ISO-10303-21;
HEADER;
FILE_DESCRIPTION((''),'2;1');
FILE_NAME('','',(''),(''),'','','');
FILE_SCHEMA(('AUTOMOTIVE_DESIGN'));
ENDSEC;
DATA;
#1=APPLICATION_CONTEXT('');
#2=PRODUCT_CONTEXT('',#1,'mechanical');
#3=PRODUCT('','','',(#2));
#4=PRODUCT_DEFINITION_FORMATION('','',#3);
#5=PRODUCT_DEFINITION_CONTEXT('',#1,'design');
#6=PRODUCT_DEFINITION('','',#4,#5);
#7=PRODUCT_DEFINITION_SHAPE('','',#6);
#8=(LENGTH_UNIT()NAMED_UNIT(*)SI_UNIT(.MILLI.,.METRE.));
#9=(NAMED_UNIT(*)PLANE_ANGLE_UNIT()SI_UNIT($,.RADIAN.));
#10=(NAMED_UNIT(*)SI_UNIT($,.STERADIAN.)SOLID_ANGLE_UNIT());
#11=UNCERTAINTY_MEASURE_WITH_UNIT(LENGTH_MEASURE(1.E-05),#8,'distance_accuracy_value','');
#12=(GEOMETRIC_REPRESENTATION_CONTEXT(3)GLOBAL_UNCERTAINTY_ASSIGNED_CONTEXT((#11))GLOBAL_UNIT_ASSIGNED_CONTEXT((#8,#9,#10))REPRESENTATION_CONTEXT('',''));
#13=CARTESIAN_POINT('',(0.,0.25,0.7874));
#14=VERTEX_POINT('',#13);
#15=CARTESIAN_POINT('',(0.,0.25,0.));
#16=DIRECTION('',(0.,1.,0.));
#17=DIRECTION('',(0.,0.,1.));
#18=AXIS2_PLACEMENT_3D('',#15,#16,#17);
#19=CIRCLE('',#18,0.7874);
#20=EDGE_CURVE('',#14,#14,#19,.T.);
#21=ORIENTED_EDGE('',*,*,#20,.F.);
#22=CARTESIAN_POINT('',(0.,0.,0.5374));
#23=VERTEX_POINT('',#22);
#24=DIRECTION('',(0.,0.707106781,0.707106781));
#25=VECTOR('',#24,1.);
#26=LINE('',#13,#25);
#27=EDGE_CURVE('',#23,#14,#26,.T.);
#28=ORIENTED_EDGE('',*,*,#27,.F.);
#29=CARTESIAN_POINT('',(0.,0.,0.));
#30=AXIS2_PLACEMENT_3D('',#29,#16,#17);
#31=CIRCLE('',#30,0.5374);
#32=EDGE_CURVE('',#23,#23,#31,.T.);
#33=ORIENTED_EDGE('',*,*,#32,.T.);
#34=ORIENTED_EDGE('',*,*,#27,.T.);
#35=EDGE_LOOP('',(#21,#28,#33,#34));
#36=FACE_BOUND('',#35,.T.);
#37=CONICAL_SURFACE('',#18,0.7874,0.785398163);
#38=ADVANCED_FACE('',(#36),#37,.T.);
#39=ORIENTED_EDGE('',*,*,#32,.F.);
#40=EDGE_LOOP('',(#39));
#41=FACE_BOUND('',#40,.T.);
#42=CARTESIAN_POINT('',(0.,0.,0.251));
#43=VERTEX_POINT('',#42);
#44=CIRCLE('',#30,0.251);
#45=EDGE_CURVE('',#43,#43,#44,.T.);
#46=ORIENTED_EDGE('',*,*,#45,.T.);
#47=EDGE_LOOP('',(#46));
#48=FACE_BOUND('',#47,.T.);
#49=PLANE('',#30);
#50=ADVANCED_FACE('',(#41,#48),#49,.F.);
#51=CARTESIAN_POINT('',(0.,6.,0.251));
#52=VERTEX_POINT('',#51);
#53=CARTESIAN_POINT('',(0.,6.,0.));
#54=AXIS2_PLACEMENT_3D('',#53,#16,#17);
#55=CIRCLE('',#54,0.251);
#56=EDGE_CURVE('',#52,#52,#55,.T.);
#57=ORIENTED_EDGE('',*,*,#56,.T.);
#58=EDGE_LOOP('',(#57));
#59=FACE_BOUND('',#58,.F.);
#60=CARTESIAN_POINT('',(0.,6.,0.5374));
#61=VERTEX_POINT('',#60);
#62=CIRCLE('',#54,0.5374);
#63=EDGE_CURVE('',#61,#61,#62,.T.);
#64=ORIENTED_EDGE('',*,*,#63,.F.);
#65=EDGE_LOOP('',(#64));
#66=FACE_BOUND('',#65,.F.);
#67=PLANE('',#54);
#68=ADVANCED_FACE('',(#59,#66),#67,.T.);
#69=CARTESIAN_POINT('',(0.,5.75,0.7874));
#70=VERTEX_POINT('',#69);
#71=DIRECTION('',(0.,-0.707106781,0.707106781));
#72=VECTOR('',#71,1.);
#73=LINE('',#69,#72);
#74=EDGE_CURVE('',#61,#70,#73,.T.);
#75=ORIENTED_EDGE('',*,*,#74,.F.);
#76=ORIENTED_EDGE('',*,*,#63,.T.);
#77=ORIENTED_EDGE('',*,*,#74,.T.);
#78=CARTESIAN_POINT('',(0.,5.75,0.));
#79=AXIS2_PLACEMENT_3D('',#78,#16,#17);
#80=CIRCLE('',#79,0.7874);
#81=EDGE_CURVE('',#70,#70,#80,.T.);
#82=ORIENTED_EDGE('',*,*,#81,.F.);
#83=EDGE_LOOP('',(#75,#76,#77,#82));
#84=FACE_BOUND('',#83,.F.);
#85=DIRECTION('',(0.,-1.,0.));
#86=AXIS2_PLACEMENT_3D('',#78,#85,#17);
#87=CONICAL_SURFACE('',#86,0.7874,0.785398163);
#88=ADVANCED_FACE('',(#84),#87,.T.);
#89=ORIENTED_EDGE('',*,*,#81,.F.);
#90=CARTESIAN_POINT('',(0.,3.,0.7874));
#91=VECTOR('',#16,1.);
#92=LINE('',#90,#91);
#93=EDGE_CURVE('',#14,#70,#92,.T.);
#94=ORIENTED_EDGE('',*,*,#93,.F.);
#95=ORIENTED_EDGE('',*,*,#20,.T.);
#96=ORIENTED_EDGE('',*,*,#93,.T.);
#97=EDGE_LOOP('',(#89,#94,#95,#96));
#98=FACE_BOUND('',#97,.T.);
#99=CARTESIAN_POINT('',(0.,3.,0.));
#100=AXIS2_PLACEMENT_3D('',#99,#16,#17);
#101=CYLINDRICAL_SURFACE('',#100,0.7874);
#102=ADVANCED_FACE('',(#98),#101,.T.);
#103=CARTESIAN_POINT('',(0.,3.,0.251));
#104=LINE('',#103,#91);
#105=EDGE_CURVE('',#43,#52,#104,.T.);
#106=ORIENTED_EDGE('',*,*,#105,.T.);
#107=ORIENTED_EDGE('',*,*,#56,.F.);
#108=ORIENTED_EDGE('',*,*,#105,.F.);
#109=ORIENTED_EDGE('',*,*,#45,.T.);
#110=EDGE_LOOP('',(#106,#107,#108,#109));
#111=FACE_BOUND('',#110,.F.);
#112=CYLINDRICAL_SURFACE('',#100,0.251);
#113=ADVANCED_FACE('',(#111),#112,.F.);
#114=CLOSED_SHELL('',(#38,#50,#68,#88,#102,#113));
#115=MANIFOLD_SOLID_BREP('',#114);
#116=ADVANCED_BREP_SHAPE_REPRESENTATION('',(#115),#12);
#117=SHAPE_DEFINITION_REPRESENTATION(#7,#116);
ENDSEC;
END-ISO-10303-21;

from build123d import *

# Parameters (mm, degrees)
F0_W    = 6
F0_H    = 0.5364
F2_SIZE = 0.25


with BuildPart() as f1:
    # F0 (on Right) → F1 (revolve)
    with BuildSketch(Plane.YZ):
        with Locations((3, 0.5192)):
            Rectangle(F0_W, F0_H)
    revolve(axis=Axis((0, 3, 0), (0, 1, 0)))

    # F2
    f2_edges = [f1.edges().sort_by_distance(p)[0] for p in [
        (0, 0, -0.7874),
        (0, 6, -0.7874),
    ]]
    chamfer(f2_edges, length=F2_SIZE)


solid = f1.part
